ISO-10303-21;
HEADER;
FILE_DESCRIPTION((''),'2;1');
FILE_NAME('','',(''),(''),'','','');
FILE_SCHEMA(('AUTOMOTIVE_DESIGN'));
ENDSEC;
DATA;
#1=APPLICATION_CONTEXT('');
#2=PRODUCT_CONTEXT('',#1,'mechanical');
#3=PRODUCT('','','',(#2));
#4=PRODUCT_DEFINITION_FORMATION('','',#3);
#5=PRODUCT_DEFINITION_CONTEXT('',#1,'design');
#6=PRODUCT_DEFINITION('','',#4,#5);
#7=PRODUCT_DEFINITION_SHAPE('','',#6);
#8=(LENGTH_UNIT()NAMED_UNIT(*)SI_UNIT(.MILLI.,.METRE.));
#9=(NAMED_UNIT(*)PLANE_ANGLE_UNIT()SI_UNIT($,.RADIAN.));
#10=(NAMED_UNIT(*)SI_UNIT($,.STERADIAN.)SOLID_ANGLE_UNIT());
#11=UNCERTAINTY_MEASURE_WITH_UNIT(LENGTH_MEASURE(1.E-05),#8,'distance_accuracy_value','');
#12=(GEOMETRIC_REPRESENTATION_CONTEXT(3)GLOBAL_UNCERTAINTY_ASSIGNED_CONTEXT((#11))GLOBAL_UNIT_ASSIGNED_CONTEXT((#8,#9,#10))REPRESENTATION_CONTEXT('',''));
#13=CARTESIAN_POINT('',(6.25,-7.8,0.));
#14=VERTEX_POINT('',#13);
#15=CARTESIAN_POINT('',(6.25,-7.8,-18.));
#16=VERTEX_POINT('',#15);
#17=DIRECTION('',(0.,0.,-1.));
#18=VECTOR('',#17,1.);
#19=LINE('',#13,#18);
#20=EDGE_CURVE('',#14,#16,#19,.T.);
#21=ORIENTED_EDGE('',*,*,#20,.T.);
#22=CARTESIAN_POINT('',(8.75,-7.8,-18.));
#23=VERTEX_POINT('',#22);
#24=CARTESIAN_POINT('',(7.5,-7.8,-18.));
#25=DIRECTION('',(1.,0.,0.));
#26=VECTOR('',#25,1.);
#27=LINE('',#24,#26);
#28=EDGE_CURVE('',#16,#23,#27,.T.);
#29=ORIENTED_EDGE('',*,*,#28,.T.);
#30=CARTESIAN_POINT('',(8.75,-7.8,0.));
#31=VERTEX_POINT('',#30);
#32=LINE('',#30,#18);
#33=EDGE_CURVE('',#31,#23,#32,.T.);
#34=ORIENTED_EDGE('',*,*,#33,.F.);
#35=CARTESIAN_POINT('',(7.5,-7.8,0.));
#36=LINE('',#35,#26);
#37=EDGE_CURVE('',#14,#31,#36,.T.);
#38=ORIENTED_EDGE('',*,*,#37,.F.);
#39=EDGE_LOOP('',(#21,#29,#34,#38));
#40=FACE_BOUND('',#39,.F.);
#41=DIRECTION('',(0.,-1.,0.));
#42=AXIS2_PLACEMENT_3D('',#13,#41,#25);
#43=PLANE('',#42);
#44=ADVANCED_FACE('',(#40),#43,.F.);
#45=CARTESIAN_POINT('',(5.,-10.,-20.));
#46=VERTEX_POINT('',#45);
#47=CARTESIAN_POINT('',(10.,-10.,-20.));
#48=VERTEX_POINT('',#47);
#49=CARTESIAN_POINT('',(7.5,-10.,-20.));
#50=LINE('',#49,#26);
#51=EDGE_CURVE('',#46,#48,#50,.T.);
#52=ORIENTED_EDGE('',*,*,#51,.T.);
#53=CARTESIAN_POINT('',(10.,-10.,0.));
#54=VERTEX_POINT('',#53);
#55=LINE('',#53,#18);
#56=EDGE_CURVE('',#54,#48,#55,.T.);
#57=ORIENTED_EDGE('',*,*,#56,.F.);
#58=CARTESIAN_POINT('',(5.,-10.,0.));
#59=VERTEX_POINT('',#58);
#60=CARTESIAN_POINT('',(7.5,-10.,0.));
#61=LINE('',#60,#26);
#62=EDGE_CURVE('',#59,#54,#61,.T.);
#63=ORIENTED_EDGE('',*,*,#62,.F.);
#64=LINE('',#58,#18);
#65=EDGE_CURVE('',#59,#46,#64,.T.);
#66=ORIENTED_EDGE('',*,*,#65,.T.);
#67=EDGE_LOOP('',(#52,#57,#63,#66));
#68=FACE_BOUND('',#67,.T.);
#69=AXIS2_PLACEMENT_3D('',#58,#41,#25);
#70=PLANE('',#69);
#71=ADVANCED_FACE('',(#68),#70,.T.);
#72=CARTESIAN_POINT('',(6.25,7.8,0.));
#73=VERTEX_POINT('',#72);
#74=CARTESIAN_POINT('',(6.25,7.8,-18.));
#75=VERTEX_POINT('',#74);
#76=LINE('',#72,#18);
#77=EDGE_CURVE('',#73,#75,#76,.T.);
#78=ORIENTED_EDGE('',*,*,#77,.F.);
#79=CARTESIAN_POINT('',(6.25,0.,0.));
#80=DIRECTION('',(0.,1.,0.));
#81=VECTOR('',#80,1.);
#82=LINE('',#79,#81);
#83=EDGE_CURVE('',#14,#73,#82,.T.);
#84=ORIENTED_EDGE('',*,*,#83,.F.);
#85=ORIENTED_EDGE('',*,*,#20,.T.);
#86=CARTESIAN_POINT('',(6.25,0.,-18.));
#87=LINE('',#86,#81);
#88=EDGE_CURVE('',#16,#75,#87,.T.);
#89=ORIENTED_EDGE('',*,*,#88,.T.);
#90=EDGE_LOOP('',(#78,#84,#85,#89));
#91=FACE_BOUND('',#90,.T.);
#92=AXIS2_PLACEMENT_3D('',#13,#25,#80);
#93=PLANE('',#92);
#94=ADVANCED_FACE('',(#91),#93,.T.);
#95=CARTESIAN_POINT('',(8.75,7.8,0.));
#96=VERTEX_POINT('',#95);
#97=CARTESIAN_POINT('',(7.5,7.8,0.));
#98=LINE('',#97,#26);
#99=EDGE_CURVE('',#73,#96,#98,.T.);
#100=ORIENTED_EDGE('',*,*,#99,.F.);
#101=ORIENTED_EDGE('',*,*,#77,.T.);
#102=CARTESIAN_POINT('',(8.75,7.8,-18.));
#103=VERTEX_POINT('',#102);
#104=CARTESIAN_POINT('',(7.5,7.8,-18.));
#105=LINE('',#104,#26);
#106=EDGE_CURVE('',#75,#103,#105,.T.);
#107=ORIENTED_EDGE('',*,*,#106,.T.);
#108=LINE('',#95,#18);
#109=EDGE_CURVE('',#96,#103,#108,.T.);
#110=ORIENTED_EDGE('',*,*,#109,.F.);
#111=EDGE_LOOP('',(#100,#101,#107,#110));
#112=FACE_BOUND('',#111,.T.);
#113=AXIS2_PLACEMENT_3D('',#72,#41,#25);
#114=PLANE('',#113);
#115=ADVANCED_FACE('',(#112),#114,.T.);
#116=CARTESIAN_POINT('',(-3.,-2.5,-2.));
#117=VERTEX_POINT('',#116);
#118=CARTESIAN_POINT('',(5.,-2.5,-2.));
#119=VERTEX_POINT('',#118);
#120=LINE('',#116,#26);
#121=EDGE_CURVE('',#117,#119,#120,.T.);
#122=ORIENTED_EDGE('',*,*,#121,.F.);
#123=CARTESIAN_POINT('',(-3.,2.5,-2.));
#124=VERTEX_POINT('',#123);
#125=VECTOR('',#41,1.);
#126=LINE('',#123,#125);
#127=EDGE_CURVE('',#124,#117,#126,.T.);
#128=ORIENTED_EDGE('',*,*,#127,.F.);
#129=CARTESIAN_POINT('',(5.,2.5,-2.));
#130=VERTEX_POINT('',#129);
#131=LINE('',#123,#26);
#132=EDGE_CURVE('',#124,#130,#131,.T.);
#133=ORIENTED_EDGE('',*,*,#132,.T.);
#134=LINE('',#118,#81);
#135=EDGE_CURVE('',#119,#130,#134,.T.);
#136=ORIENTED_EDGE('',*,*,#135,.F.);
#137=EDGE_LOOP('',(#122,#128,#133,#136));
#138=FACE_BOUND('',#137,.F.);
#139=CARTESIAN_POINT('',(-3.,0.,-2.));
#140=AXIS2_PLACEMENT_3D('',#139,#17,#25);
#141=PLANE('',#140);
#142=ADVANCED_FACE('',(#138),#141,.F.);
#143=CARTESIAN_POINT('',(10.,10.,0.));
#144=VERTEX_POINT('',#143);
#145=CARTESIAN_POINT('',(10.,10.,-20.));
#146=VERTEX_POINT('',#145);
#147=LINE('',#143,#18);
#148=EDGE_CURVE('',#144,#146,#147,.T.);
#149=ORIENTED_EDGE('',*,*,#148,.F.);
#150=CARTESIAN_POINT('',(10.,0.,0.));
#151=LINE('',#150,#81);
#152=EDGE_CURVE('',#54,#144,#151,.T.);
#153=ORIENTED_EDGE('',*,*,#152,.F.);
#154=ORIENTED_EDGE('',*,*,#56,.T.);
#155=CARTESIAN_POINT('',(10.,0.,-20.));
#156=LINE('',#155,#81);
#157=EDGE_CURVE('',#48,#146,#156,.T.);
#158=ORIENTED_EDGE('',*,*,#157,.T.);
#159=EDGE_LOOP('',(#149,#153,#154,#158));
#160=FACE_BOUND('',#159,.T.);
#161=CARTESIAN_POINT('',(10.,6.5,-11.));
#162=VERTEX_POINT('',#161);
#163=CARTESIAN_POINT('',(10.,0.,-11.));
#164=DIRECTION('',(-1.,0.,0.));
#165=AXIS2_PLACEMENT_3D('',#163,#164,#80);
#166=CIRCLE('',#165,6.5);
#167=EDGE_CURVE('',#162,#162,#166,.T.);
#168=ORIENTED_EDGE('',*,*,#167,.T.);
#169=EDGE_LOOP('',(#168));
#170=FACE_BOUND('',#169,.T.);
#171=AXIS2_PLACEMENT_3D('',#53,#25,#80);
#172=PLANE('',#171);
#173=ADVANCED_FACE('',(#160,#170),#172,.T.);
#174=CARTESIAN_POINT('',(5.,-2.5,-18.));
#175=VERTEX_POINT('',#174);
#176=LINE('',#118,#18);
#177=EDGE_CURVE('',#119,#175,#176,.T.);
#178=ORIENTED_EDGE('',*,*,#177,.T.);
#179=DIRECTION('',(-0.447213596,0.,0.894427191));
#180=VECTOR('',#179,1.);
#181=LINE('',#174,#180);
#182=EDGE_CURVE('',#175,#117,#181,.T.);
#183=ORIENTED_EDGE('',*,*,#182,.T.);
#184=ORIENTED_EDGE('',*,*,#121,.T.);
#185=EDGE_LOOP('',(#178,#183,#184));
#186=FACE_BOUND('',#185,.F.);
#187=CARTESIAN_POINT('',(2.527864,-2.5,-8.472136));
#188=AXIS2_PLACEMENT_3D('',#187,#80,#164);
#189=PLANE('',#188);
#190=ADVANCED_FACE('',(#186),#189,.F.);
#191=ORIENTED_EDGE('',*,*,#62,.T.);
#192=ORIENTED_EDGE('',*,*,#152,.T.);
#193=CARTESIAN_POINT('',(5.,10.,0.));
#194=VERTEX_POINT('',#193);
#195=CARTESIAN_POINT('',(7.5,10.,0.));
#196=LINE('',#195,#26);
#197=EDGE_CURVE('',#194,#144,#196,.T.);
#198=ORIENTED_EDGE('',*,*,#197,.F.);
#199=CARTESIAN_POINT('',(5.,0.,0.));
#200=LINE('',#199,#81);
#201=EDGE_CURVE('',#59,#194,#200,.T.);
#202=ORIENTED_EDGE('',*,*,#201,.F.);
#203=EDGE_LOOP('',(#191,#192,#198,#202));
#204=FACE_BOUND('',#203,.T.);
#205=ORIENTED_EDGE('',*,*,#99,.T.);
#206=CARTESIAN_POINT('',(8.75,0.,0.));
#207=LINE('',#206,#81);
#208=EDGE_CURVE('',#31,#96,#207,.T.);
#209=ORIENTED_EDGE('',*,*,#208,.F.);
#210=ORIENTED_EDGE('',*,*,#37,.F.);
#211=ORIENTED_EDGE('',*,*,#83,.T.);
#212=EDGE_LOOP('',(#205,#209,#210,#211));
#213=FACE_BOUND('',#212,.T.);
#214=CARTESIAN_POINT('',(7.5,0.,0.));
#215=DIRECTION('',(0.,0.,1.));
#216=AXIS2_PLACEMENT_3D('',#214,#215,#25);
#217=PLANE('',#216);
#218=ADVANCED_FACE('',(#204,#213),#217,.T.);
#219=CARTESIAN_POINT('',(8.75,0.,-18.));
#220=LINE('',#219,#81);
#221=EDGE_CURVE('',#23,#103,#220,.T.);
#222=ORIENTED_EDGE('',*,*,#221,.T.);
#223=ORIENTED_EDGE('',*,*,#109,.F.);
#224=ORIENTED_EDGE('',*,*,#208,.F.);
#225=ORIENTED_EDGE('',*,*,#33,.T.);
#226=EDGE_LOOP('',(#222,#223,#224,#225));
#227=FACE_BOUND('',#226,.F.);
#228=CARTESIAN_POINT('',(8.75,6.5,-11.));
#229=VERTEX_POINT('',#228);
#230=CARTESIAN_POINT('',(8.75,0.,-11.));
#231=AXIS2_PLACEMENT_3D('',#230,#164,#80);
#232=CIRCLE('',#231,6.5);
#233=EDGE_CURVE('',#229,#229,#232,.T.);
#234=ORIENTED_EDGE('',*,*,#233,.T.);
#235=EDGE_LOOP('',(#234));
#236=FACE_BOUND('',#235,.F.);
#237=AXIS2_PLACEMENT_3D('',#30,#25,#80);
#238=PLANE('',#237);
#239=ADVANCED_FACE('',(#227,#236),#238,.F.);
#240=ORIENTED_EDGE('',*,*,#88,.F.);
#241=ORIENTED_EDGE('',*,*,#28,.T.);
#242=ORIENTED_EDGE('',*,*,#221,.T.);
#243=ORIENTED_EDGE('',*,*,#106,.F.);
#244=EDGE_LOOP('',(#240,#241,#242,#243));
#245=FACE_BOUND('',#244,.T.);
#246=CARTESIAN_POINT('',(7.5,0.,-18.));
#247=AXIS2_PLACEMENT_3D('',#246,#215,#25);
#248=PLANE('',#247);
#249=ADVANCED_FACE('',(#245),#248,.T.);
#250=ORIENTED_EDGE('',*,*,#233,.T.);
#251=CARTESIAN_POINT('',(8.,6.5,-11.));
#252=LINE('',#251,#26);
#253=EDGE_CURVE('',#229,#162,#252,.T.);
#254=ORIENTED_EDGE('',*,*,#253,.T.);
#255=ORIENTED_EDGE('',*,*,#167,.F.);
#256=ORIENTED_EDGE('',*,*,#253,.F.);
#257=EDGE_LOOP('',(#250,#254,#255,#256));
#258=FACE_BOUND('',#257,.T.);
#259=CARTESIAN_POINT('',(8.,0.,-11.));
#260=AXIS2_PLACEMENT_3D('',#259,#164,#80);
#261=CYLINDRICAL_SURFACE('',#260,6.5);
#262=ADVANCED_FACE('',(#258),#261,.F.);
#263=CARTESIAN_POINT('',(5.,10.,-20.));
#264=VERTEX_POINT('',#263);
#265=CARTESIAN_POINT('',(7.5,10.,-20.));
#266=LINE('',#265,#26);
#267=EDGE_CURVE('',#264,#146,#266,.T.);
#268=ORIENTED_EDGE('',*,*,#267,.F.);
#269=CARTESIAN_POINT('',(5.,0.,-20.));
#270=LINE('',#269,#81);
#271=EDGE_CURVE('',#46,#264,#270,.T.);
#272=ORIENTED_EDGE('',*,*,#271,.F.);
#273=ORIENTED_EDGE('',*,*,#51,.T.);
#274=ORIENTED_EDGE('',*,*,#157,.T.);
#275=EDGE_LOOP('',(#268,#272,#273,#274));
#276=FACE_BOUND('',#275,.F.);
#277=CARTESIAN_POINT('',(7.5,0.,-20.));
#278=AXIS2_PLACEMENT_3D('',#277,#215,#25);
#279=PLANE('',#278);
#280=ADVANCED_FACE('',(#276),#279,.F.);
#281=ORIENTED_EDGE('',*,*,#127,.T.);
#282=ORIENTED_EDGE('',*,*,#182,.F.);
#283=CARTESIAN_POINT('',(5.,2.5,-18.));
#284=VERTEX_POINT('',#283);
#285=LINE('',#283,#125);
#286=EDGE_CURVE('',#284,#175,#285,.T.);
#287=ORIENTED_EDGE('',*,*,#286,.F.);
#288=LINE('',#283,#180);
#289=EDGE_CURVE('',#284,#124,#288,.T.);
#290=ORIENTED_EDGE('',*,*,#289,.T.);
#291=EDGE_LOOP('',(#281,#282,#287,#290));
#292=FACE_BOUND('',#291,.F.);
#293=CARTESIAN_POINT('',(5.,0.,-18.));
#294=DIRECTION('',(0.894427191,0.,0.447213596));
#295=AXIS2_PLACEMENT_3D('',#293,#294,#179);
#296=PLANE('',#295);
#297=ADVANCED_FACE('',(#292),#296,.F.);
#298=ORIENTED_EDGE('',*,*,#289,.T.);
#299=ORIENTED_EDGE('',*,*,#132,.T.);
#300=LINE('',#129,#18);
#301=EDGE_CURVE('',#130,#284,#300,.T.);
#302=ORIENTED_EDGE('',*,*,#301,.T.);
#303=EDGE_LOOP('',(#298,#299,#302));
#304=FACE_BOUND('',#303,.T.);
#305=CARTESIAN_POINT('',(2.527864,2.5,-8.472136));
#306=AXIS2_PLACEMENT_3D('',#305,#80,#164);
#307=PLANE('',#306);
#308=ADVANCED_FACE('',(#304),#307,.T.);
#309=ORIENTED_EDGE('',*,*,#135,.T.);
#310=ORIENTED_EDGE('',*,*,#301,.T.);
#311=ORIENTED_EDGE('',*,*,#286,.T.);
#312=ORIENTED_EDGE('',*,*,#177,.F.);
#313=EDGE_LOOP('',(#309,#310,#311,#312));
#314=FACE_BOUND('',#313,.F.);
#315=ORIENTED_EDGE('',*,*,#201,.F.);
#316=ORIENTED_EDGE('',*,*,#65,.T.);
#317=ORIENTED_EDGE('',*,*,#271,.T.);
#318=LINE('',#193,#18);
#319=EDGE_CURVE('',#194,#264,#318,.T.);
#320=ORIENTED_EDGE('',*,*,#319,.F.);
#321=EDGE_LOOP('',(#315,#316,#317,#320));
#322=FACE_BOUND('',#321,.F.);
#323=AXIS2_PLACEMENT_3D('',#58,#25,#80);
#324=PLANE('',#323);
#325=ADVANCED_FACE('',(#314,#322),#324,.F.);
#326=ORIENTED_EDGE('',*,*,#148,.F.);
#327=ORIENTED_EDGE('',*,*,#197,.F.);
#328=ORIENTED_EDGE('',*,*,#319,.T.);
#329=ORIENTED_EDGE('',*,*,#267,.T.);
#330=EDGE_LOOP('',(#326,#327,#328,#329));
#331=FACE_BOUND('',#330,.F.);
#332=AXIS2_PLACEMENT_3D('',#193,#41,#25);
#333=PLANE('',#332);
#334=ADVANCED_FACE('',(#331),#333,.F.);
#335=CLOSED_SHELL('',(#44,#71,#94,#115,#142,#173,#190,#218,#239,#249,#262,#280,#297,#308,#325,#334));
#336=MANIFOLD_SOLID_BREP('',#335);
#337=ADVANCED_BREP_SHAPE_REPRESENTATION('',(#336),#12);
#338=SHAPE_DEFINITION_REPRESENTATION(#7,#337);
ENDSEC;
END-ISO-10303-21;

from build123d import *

# Parameters (mm, degrees)
SKETCH133_W       = 5
SKETCH133_H       = 20
PAD080_DEPTH      = 20
SKETCH134_W       = 2.5
SKETCH134_H       = 15.6
POCKET028_DEPTH   = 18
CYLINDER086_R     = 6.5
CYLINDER086_DEPTH = 3
PAD081_DEPTH      = 2.5


with BuildPart() as part:
    # Sketch133 → Pad080 (new body)
    with BuildSketch(Plane.XY):
        with Locations((2.5, 0)):
            Rectangle(SKETCH133_W, SKETCH133_H)
    extrude(amount=-PAD080_DEPTH)

    # Sketch134 → Pocket028 (cut)
    with BuildSketch(Plane(origin=(2.5, 0, 0), x_dir=(1, 0, 0), z_dir=(0, 0, 1))):
        Rectangle(SKETCH134_W, SKETCH134_H)
    extrude(amount=-POCKET028_DEPTH, mode=Mode.SUBTRACT)

    # Cylinder086 → Cylinder086 (cut)
    with BuildSketch(Plane(origin=(3, 0, -11), x_dir=(0, 1, 0), z_dir=(1, 0, 0))):
        Circle(CYLINDER086_R)
    extrude(amount=CYLINDER086_DEPTH, mode=Mode.SUBTRACT)

    # Sketch135 → Pad081 (join, symmetric)
    with BuildSketch(Plane(origin=(0, 0, -2), x_dir=(1, 0, 0), z_dir=(0, -1, 0))):
        Polygon((-8, 0), (0, 0), (0, -16), align=None)
    extrude(amount=PAD081_DEPTH, both=True)


with BuildPart() as part_1:
    # Body118 placement: moved
    add(part.part.moved(Location((5, 0, 0))))


solid = part_1.part
